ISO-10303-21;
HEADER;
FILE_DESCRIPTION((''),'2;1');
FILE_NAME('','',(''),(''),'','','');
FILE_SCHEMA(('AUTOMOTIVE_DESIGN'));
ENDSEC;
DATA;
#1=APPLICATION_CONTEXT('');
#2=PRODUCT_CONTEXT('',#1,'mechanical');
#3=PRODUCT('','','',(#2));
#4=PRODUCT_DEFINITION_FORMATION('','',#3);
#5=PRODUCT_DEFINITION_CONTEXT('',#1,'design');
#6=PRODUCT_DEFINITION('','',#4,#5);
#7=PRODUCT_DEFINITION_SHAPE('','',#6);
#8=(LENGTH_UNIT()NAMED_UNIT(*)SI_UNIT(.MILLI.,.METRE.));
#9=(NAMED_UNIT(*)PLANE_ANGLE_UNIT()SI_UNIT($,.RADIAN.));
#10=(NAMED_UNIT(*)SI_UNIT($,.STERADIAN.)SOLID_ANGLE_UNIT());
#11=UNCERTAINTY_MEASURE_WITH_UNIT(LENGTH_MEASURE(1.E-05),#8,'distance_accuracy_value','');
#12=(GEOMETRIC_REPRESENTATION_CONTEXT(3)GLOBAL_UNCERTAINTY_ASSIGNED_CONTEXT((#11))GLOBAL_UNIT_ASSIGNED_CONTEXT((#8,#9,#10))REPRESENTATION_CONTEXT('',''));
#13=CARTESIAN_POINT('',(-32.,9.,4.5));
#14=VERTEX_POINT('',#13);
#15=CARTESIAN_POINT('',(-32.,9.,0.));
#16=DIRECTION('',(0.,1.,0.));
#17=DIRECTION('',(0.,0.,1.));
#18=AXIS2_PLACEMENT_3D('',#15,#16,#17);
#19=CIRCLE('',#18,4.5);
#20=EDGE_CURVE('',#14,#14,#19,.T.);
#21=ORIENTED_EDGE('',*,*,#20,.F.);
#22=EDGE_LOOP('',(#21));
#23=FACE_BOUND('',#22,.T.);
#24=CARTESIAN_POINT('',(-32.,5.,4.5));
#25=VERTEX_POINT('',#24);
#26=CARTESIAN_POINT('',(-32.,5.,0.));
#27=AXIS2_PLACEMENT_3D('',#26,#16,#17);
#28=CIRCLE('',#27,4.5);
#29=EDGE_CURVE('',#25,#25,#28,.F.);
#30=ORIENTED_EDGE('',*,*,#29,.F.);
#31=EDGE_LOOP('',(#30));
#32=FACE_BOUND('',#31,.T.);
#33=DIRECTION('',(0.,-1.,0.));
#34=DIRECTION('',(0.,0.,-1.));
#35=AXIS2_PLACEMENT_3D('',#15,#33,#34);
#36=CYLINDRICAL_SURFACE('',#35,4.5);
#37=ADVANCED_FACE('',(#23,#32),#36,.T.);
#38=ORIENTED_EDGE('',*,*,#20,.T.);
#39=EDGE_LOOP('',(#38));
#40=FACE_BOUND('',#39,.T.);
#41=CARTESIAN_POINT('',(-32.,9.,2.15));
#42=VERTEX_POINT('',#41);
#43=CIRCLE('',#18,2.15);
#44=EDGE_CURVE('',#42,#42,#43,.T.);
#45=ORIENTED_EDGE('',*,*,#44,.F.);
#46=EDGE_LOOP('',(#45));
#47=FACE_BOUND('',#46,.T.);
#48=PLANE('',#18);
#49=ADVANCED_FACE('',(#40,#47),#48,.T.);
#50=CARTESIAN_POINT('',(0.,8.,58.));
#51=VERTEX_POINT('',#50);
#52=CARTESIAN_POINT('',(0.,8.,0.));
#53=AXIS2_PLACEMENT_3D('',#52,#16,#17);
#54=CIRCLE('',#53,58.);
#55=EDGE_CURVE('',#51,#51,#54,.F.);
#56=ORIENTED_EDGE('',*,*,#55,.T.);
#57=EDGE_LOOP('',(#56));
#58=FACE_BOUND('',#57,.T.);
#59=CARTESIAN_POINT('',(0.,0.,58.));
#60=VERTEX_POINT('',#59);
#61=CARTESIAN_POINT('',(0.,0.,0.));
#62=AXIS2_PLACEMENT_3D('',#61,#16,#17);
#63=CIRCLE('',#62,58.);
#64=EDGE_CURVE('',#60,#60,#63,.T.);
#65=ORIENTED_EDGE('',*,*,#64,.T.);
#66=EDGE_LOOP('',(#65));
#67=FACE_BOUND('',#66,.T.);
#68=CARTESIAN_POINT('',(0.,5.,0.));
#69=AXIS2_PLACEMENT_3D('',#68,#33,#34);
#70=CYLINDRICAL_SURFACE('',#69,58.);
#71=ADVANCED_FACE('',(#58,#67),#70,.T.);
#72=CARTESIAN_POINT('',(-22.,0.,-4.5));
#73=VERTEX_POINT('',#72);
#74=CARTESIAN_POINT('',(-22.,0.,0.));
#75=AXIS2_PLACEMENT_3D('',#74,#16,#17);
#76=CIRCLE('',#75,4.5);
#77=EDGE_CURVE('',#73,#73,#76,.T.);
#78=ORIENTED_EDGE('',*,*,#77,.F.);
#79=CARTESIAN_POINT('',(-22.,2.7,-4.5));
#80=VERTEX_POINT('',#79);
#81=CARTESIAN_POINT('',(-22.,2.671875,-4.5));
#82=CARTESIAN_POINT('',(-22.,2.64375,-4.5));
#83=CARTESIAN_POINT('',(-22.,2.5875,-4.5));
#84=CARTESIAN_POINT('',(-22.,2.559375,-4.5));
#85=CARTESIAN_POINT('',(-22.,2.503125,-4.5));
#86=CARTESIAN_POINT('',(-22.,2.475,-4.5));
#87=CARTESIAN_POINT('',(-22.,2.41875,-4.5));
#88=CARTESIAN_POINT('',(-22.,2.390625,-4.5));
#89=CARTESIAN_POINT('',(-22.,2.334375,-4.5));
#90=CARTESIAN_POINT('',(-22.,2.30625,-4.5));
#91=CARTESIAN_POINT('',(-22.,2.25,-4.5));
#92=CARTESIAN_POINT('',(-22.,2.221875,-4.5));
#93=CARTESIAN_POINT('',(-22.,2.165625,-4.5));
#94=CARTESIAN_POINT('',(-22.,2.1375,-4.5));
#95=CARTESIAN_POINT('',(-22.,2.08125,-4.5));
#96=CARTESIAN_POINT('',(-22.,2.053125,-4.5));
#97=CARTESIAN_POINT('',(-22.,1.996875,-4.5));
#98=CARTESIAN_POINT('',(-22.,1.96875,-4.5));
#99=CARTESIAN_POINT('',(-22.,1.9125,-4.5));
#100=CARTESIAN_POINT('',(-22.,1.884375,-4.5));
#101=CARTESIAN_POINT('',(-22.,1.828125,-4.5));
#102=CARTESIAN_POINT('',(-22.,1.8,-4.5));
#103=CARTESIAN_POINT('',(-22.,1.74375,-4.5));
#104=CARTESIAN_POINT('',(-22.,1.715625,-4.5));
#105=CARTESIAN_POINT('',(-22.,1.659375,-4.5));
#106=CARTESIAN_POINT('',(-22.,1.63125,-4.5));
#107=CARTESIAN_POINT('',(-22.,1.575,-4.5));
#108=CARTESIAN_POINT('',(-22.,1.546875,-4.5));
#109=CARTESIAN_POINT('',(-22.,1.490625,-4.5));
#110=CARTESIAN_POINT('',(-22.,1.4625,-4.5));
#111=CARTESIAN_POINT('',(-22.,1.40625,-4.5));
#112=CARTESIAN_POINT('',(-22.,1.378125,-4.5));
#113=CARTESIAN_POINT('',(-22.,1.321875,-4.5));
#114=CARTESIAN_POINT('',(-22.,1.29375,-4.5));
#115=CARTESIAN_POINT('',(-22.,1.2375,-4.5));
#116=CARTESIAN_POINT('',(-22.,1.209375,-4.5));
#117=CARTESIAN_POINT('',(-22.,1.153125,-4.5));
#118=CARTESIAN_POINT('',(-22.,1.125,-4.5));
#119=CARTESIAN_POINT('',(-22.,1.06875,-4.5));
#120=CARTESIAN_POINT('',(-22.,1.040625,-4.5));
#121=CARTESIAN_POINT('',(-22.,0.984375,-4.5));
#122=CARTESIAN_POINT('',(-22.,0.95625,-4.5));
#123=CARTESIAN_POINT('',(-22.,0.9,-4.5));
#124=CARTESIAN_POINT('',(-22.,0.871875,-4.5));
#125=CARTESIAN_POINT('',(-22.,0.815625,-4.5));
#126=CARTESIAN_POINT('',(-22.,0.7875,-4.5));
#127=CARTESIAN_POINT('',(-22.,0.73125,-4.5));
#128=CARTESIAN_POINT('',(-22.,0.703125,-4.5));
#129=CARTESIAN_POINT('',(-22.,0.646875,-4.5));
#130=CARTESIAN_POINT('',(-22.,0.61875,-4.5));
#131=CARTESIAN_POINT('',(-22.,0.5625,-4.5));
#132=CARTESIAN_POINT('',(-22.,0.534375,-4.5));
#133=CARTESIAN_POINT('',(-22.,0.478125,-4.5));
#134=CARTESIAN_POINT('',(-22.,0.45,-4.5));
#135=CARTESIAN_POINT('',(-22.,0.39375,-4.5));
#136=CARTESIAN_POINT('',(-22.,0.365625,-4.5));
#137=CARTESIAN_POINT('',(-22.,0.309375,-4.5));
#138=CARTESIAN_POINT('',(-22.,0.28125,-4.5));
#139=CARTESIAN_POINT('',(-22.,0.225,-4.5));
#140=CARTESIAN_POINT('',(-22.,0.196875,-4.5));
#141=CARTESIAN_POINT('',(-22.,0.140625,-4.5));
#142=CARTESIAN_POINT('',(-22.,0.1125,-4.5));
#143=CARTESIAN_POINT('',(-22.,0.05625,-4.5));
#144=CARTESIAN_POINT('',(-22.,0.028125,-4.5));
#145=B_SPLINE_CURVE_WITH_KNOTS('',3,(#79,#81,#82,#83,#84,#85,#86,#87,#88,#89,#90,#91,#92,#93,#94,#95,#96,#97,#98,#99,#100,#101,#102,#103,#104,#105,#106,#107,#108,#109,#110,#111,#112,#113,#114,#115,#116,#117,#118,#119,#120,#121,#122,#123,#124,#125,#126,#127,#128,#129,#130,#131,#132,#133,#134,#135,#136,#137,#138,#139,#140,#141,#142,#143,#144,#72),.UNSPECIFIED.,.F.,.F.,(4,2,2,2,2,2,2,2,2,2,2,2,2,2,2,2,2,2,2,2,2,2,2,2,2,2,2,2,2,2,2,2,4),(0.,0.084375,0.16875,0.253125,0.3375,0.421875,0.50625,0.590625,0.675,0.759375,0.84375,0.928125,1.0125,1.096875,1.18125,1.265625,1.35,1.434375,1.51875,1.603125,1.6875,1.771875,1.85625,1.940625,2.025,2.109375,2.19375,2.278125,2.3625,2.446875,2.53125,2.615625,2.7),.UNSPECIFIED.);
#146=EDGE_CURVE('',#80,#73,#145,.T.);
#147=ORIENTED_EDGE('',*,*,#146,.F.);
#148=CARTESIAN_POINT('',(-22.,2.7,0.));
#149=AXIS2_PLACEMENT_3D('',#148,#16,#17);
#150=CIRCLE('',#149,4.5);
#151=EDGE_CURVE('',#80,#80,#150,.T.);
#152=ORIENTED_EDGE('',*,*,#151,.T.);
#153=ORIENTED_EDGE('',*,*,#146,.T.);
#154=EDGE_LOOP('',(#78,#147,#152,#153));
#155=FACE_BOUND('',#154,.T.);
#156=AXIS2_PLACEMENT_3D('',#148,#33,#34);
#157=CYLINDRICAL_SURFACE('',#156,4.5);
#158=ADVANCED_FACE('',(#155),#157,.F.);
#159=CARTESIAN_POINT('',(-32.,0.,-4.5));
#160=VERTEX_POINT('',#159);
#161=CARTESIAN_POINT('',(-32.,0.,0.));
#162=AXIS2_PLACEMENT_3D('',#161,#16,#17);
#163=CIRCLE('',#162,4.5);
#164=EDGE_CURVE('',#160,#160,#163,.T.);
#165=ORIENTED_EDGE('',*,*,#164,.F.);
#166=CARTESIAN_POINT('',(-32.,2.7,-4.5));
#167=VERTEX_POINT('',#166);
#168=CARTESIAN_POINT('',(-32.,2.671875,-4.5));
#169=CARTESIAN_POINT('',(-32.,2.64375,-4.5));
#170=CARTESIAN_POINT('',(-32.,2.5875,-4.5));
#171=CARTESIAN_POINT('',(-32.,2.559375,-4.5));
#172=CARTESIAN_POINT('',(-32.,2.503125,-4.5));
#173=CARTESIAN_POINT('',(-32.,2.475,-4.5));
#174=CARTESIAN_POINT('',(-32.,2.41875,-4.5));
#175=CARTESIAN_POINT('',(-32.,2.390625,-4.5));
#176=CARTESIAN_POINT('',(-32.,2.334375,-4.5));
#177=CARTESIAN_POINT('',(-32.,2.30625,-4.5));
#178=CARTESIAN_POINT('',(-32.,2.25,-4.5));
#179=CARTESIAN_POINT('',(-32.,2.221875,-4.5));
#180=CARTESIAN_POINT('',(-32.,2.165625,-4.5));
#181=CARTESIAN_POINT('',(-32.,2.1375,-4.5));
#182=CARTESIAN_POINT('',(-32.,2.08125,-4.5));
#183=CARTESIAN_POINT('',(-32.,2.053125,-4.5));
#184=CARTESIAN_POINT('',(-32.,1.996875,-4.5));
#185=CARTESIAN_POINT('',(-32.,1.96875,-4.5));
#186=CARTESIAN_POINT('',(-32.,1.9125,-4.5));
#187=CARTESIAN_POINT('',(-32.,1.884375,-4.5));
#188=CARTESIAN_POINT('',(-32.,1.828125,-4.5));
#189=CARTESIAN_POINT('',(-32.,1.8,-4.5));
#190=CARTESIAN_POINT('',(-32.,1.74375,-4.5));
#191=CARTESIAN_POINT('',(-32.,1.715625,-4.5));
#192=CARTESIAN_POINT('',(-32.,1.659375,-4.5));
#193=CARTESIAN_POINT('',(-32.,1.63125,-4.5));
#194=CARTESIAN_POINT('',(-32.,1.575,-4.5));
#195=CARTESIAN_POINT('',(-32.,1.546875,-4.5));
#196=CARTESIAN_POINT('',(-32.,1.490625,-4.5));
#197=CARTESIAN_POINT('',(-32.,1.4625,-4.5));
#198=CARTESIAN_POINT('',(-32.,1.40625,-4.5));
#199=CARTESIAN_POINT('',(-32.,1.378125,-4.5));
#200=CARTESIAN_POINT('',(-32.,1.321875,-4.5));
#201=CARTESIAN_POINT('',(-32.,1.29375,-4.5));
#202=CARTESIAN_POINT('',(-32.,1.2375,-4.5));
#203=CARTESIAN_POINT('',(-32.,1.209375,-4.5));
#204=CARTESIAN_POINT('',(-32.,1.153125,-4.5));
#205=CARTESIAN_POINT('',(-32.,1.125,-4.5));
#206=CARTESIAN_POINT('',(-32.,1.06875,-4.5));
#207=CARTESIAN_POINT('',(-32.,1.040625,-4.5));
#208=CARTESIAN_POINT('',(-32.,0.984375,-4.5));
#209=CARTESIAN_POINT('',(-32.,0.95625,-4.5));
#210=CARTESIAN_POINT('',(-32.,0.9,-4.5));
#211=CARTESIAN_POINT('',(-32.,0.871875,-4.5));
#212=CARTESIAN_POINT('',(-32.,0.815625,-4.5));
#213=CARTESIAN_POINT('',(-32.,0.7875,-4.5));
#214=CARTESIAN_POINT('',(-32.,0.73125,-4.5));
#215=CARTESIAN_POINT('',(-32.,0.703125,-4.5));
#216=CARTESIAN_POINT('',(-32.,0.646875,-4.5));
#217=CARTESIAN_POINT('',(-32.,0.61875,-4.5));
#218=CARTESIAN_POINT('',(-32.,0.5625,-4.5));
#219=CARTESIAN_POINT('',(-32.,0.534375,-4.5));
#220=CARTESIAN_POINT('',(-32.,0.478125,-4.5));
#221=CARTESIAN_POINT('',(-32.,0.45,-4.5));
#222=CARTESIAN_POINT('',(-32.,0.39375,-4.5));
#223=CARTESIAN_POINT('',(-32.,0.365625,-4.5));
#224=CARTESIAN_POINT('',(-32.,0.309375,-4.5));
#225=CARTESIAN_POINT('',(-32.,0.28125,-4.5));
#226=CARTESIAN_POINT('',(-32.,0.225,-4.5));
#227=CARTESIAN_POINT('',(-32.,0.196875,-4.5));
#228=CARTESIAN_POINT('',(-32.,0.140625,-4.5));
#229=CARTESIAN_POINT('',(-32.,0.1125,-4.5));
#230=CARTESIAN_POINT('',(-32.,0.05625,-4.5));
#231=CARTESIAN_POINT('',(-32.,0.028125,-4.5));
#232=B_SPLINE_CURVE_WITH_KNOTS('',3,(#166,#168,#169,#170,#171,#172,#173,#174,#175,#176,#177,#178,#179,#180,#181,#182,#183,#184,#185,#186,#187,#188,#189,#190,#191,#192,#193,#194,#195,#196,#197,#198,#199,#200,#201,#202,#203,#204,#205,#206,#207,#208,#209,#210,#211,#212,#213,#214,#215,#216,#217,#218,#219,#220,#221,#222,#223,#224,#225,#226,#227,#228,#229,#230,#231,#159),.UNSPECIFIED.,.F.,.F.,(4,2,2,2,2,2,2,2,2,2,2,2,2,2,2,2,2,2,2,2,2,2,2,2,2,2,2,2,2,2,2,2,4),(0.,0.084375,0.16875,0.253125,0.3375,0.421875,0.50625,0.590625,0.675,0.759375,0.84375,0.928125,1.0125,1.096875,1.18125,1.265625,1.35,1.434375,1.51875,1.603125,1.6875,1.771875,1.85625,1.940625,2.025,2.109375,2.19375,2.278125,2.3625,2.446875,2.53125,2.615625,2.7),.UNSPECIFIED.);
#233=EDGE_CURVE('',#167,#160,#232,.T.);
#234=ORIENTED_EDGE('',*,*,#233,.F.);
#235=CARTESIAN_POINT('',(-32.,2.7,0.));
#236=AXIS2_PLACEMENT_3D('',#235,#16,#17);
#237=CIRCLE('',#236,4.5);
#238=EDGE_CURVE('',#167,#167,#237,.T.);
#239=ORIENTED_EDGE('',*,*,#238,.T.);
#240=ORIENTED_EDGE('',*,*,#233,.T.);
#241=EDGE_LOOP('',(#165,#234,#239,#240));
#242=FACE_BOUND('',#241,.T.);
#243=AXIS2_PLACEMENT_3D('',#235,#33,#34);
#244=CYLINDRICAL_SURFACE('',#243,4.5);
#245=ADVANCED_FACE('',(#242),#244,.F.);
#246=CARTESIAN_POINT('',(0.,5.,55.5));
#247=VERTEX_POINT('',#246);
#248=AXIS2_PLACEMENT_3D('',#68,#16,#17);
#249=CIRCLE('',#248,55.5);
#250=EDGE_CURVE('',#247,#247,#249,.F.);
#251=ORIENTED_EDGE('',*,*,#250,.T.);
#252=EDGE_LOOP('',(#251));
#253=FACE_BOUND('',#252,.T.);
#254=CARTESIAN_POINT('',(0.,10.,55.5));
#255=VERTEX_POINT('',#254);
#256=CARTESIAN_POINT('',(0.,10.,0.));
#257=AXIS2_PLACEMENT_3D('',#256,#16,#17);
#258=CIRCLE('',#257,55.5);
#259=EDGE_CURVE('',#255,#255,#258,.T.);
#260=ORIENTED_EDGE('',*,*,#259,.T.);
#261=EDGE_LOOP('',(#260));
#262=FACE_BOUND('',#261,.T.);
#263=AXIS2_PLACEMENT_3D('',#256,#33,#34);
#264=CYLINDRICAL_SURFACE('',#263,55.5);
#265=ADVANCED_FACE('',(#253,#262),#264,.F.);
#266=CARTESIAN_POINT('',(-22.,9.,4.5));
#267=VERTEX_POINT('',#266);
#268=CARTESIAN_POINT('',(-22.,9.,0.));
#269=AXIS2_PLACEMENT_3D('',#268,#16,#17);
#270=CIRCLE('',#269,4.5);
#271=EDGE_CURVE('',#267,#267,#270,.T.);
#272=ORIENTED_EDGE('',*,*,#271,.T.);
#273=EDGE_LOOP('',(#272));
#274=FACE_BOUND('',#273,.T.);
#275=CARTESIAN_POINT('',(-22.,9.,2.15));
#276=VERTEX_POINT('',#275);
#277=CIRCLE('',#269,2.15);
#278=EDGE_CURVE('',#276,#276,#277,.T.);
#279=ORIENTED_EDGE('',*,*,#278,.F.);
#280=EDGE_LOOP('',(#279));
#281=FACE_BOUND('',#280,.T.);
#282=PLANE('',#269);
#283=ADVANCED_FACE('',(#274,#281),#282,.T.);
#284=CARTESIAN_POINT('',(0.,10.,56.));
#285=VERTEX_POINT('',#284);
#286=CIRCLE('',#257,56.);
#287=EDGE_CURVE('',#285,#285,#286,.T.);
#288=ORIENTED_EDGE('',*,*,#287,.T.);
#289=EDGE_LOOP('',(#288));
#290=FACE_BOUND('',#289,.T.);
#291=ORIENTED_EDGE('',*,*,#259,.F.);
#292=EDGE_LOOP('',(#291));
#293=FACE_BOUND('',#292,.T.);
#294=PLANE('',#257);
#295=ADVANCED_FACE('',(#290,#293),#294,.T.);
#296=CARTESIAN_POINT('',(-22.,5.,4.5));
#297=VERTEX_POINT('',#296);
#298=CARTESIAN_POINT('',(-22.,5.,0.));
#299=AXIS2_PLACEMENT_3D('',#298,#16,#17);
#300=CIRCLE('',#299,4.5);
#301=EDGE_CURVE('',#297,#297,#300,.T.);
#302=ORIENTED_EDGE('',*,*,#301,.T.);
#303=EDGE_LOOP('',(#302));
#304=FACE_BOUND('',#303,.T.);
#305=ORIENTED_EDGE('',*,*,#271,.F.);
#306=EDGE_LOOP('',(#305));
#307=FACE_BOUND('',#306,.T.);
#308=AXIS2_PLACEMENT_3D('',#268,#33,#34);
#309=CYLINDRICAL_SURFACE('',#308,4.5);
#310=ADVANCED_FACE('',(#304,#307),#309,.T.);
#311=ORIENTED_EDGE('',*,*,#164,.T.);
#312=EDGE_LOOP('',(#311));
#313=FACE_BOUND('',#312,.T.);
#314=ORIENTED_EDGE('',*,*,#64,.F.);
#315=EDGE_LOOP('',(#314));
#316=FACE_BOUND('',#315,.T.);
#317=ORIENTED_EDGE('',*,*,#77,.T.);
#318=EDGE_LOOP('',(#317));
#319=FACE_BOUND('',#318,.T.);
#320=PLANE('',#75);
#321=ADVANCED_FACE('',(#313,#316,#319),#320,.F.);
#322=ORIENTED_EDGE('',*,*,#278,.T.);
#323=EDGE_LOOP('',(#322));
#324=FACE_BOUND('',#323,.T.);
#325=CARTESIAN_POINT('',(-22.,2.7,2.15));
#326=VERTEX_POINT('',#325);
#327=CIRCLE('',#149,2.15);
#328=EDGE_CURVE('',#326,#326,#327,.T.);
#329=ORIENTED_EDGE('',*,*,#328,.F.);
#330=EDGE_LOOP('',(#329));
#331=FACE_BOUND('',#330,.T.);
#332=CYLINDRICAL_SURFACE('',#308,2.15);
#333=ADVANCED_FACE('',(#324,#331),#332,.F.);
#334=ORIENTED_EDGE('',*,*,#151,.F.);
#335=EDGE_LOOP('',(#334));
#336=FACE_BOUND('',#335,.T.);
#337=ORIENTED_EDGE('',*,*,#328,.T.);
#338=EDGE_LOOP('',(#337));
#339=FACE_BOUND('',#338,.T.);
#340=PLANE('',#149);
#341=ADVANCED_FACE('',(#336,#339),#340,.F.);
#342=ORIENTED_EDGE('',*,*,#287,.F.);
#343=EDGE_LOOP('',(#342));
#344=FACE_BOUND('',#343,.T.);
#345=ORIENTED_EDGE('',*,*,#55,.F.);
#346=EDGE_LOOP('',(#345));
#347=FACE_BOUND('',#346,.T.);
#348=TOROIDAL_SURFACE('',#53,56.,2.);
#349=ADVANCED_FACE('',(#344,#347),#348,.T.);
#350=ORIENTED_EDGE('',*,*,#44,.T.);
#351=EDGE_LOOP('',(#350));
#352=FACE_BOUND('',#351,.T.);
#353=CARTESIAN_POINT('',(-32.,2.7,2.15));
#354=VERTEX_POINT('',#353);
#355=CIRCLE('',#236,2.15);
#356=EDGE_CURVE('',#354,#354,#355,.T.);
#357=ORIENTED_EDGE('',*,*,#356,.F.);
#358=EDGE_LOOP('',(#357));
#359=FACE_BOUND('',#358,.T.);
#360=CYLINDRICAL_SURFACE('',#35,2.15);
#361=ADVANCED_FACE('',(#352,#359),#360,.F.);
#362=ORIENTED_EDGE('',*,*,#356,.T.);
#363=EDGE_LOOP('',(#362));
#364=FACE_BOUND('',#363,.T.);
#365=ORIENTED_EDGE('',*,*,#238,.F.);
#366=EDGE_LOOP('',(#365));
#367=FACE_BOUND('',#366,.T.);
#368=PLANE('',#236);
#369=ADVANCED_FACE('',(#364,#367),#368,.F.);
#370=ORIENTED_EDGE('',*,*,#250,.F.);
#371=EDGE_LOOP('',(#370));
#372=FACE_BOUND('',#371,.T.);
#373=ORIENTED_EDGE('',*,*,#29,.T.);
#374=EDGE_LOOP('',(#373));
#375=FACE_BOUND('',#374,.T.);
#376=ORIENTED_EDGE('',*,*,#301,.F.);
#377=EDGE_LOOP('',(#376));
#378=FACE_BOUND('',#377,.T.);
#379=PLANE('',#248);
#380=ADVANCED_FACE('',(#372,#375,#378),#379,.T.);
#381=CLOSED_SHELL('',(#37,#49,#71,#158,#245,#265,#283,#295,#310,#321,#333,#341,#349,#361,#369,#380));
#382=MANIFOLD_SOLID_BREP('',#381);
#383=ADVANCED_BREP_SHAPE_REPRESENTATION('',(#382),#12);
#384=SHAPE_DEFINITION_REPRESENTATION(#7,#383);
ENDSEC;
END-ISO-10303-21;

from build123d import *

# Parameters (mm, degrees)
SKETCH_1_R                            = 4.5
MOVING_POST_A_DEPTH                   = 9
SKETCH_2_R                            = 58
CUP_PLATE_D116_T5_DEPTH               = 5
SKETCH_3_R                            = 4.5
MOVING_POST_B_DEPTH                   = 9
SKETCH_4_R                            = 58
SKETCH_4_R_2                          = 55.5
DRIP_SKIRT_OD116_ID111_H10_DEPTH      = 10
SKETCH_5_R                            = 2.15
M4_MOVING_MOUNT_CLEARANCE_DEPTH       = 9
SKETCH_6_R                            = 4.5
M4_MOVING_HEAD_RECESS_D8P2_T2P7_DEPTH = 2.7
CUP_TOP_OUTER_ROUND_R2_R              = 2


with BuildPart() as part:
    # 草图1 → Moving_post_A (new body)
    with BuildSketch(Plane(origin=(0, 0, 0), x_dir=(1, 0, 0), z_dir=(0, 1, 0))):
        with Locations(Location((-22, 0, 0), (0, 0, 270))):
            Circle(SKETCH_1_R)
    extrude(amount=MOVING_POST_A_DEPTH)

    # 草图2 → Cup_plate_D116_T5 (add)
    with BuildSketch(Plane(origin=(0, 0, 0), x_dir=(1, 0, 0), z_dir=(0, 1, 0))):
        with Locations(Location((0, 0, 0), (0, 0, 270))):
            Circle(SKETCH_2_R)
    extrude(amount=CUP_PLATE_D116_T5_DEPTH)

    # 草图3 → Moving_post_B (add)
    with BuildSketch(Plane(origin=(0, 0, 0), x_dir=(1, 0, 0), z_dir=(0, 1, 0))):
        with Locations(Location((-32, 0, 0), (0, 0, 270))):
            Circle(SKETCH_3_R)
    extrude(amount=MOVING_POST_B_DEPTH)

    # 草图4 → Drip_skirt_OD116_ID111_H10 (add)
    with BuildSketch(Plane(origin=(0, 0, 0), x_dir=(1, 0, 0), z_dir=(0, 1, 0))):
        with Locations(Location((0, 0, 0), (0, 0, 270))):
            Circle(SKETCH_4_R)
        with Locations(Location((0, 0, 0), (0, 0, 270))):
            Circle(SKETCH_4_R_2, mode=Mode.SUBTRACT)
    extrude(amount=DRIP_SKIRT_OD116_ID111_H10_DEPTH)

    # 草图5 → M4_moving_mount_clearance (cut)
    with BuildSketch(Plane(origin=(0, 0, 0), x_dir=(1, 0, 0), z_dir=(0, 1, 0))):
        with Locations(Location((-22, 0, 0), (0, 0, 270))):
            Circle(SKETCH_5_R)
        with Locations(Location((-32, 0, 0), (0, 0, 270))):
            Circle(SKETCH_5_R)
    extrude(amount=M4_MOVING_MOUNT_CLEARANCE_DEPTH, mode=Mode.SUBTRACT)

    # 草图6 → M4_moving_head_recess_D8p2_T2p7 (cut)
    with BuildSketch(Plane(origin=(0, 0, 0), x_dir=(1, 0, 0), z_dir=(0, 1, 0))):
        with Locations(Location((-22, 0, 0), (0, 0, 270))):
            Circle(SKETCH_6_R)
        with Locations(Location((-32, 0, 0), (0, 0, 270))):
            Circle(SKETCH_6_R)
    extrude(amount=M4_MOVING_HEAD_RECESS_D8P2_T2P7_DEPTH, mode=Mode.SUBTRACT)

    # Cup_top_outer_round_R2
    cup_top_outer_round_r2_edges = [part.edges().sort_by_distance(p)[0] for p in [
        (0, 10, -58),
    ]]
    fillet(cup_top_outer_round_r2_edges, radius=CUP_TOP_OUTER_ROUND_R2_R)


solid = part.part
